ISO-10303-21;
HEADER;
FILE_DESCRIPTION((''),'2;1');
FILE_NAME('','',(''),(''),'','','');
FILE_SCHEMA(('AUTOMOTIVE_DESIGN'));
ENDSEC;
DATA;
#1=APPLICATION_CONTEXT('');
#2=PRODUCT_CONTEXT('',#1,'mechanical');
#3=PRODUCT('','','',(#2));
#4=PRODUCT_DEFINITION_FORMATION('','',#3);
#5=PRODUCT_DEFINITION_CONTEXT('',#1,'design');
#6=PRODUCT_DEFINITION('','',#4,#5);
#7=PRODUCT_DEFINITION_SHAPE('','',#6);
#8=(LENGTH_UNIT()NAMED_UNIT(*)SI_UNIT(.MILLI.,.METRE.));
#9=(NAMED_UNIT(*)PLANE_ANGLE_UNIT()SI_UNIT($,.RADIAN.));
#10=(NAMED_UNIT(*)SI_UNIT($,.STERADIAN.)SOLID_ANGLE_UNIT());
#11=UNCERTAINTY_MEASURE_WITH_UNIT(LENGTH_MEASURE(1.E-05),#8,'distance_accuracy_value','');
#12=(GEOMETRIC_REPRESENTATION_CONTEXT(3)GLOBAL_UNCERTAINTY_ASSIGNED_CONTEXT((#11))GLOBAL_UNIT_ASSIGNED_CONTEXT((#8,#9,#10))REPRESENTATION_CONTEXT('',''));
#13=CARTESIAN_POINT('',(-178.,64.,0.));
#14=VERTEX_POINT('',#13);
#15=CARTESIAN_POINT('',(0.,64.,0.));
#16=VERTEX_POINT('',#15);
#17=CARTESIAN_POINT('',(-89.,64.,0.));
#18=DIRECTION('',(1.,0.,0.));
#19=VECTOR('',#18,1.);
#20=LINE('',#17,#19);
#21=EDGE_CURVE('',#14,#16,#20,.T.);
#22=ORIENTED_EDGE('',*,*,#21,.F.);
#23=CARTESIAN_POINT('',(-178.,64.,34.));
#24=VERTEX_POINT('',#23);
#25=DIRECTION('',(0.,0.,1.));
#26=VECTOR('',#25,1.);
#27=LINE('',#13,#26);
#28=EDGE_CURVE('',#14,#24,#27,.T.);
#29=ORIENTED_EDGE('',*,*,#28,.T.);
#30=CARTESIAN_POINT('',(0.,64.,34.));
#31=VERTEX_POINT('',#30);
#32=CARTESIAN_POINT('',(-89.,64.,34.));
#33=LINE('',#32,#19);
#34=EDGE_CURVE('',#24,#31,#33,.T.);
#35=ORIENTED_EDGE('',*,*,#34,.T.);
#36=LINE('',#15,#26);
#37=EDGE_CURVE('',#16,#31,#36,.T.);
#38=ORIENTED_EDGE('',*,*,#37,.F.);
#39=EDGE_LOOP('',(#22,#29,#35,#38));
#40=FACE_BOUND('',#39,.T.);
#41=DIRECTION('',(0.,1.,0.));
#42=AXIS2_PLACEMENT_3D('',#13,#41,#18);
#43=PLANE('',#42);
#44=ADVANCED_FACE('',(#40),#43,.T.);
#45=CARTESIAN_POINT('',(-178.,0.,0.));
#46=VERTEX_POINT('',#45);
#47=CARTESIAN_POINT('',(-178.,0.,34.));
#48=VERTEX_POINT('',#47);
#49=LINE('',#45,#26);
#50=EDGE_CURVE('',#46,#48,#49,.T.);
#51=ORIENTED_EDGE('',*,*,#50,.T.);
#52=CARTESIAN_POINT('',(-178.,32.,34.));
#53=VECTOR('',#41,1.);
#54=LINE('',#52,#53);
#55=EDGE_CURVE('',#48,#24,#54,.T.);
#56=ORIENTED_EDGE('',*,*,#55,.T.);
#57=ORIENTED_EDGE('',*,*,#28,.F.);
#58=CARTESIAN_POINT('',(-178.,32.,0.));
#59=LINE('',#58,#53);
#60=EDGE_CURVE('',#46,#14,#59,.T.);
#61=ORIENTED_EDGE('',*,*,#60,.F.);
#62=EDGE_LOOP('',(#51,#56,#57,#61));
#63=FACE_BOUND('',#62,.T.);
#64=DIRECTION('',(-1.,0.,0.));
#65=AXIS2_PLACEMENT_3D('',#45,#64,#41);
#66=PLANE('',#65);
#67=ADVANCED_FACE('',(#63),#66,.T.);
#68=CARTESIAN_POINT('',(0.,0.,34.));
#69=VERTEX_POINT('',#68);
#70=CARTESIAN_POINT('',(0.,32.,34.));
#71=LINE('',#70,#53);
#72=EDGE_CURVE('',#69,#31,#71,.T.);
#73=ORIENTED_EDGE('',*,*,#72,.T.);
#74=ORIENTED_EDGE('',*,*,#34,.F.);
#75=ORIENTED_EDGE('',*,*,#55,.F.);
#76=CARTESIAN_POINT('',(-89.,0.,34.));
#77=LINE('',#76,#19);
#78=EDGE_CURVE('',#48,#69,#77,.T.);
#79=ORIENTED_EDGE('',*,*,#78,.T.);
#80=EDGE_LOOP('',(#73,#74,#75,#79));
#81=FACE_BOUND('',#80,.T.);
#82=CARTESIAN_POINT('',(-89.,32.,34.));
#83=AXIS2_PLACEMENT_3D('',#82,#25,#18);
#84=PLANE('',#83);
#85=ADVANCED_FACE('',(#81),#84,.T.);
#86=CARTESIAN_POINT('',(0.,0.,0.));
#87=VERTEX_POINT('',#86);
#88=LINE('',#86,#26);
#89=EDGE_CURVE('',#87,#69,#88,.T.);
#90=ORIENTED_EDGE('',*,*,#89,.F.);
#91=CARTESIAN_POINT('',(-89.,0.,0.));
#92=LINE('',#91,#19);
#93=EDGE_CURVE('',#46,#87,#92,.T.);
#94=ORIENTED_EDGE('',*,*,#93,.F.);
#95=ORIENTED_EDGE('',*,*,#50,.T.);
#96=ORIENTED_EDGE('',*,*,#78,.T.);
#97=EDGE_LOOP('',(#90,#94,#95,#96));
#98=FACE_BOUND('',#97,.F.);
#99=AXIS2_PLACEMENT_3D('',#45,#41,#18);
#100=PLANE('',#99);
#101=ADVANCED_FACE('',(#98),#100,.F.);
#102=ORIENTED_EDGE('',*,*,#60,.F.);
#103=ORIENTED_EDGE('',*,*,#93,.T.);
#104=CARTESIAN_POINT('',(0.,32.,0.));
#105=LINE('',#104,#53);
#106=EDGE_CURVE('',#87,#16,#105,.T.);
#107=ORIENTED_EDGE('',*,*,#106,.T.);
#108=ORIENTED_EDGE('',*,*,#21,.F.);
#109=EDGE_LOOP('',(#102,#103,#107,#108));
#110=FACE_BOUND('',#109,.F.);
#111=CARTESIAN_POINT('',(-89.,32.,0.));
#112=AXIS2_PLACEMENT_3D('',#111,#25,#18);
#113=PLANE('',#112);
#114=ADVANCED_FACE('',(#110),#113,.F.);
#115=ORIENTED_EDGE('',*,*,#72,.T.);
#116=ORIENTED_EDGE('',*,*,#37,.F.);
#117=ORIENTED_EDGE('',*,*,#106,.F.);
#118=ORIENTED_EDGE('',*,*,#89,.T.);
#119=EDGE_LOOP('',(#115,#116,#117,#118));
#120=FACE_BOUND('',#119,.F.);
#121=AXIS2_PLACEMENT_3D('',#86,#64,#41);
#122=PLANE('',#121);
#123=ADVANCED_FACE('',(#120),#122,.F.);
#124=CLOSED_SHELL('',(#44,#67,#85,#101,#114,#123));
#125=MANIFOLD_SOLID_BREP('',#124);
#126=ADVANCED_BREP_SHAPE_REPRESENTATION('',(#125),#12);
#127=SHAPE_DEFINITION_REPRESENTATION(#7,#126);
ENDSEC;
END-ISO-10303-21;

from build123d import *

# Parameters (mm, degrees)
SKETCH_W  = 178
SKETCH_H  = 64
PAD_DEPTH = 34


with BuildPart() as part:
    # Sketch → Pad (new body)
    with BuildSketch(Plane.XY):
        with Locations((-89, 32)):
            Rectangle(SKETCH_W, SKETCH_H)
    extrude(amount=PAD_DEPTH)


solid = part.part
